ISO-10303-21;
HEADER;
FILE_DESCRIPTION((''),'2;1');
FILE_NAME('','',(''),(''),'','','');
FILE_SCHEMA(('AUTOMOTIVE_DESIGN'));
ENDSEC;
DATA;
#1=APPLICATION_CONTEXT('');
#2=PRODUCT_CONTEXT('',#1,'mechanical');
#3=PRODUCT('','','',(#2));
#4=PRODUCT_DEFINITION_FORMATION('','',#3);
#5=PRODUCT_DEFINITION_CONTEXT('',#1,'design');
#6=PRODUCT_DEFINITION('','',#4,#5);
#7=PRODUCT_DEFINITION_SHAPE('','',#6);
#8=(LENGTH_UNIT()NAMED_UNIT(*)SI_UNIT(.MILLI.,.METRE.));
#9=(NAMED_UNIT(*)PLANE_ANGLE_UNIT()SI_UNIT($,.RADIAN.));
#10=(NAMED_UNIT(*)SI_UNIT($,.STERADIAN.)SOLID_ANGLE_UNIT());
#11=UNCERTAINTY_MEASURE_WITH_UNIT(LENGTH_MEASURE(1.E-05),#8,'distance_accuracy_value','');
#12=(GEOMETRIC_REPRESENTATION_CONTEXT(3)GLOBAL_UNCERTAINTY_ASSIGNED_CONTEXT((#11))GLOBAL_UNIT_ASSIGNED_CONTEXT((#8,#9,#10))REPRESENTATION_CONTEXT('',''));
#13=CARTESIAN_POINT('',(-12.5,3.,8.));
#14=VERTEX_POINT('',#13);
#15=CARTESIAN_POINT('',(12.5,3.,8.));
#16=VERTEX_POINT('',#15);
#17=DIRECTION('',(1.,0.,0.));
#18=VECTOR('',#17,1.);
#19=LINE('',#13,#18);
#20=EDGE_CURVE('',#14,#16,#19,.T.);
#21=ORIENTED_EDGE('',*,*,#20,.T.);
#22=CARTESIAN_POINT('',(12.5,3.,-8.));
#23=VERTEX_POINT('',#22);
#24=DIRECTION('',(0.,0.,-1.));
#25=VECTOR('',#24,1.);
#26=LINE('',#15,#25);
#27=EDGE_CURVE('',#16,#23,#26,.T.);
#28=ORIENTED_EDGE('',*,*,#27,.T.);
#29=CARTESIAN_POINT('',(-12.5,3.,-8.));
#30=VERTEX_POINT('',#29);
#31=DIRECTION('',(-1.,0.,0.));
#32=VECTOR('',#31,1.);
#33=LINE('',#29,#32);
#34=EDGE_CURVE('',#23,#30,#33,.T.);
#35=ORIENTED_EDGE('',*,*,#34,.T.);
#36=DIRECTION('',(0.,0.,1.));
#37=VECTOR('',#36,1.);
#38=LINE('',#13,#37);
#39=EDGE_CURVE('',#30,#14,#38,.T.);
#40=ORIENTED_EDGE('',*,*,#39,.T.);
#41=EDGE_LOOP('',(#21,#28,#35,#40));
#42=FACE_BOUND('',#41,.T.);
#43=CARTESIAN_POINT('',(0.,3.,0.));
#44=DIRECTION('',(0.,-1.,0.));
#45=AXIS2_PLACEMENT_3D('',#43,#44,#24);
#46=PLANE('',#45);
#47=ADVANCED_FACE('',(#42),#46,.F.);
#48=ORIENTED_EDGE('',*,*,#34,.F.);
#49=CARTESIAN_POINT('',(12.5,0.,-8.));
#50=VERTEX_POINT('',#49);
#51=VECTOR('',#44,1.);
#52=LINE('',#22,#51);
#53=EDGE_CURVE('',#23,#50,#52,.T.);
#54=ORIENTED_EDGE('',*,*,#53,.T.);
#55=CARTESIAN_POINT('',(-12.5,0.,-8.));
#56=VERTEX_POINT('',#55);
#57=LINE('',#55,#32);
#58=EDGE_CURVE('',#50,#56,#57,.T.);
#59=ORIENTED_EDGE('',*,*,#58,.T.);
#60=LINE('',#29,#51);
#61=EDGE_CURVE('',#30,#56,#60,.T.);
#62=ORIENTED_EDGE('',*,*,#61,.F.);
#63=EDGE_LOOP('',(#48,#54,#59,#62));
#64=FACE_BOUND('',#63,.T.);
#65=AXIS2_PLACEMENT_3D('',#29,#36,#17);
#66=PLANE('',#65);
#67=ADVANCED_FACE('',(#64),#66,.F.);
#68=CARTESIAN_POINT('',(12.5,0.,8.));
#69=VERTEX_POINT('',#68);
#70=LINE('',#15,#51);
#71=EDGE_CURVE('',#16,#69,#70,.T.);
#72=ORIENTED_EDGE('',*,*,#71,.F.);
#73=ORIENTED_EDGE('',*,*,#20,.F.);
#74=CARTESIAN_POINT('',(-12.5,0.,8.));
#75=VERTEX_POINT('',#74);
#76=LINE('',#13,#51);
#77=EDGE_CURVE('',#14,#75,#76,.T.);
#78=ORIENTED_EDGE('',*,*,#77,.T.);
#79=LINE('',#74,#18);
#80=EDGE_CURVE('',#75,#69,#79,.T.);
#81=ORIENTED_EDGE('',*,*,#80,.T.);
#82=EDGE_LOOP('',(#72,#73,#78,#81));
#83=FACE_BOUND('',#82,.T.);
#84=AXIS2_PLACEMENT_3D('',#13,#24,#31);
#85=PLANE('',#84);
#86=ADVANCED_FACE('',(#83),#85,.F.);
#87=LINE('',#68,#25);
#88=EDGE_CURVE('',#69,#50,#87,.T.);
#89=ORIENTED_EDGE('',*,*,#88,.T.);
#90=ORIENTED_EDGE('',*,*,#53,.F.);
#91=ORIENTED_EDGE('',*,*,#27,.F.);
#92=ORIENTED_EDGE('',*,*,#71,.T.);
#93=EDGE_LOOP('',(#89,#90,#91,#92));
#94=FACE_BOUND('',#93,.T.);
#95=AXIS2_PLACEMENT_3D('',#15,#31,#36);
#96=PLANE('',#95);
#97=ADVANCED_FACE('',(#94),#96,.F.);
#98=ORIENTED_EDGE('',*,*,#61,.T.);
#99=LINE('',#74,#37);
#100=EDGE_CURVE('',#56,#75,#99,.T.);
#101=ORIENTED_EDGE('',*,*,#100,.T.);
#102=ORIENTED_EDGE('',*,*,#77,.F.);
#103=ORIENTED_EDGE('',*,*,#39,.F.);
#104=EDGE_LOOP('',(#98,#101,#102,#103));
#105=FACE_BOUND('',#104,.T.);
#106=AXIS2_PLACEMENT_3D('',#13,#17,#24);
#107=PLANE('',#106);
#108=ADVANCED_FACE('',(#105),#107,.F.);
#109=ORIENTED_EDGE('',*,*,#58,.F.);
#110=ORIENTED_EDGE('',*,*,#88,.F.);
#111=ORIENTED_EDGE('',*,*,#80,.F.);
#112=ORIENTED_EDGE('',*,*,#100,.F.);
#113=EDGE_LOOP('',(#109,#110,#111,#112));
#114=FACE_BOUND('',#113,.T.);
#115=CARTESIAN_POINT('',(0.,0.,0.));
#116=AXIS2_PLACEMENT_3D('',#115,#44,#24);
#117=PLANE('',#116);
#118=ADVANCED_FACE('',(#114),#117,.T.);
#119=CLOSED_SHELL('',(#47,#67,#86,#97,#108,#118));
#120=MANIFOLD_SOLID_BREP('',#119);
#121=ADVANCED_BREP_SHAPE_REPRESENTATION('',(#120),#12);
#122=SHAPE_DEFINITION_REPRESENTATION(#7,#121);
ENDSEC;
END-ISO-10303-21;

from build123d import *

# Parameters (mm, degrees)
SKETCH_1_W      = 25
SKETCH_1_H      = 16
EXTRUDE_1_DEPTH = 3


with BuildPart() as part:
    # 草图1 → 凸台-拉伸1 (new body)
    with BuildSketch(Plane(origin=(0, 0, 0), x_dir=(1, 0, 0), z_dir=(0, 1, 0))):
        Rectangle(SKETCH_1_W, SKETCH_1_H)
    extrude(amount=EXTRUDE_1_DEPTH)


solid = part.part
